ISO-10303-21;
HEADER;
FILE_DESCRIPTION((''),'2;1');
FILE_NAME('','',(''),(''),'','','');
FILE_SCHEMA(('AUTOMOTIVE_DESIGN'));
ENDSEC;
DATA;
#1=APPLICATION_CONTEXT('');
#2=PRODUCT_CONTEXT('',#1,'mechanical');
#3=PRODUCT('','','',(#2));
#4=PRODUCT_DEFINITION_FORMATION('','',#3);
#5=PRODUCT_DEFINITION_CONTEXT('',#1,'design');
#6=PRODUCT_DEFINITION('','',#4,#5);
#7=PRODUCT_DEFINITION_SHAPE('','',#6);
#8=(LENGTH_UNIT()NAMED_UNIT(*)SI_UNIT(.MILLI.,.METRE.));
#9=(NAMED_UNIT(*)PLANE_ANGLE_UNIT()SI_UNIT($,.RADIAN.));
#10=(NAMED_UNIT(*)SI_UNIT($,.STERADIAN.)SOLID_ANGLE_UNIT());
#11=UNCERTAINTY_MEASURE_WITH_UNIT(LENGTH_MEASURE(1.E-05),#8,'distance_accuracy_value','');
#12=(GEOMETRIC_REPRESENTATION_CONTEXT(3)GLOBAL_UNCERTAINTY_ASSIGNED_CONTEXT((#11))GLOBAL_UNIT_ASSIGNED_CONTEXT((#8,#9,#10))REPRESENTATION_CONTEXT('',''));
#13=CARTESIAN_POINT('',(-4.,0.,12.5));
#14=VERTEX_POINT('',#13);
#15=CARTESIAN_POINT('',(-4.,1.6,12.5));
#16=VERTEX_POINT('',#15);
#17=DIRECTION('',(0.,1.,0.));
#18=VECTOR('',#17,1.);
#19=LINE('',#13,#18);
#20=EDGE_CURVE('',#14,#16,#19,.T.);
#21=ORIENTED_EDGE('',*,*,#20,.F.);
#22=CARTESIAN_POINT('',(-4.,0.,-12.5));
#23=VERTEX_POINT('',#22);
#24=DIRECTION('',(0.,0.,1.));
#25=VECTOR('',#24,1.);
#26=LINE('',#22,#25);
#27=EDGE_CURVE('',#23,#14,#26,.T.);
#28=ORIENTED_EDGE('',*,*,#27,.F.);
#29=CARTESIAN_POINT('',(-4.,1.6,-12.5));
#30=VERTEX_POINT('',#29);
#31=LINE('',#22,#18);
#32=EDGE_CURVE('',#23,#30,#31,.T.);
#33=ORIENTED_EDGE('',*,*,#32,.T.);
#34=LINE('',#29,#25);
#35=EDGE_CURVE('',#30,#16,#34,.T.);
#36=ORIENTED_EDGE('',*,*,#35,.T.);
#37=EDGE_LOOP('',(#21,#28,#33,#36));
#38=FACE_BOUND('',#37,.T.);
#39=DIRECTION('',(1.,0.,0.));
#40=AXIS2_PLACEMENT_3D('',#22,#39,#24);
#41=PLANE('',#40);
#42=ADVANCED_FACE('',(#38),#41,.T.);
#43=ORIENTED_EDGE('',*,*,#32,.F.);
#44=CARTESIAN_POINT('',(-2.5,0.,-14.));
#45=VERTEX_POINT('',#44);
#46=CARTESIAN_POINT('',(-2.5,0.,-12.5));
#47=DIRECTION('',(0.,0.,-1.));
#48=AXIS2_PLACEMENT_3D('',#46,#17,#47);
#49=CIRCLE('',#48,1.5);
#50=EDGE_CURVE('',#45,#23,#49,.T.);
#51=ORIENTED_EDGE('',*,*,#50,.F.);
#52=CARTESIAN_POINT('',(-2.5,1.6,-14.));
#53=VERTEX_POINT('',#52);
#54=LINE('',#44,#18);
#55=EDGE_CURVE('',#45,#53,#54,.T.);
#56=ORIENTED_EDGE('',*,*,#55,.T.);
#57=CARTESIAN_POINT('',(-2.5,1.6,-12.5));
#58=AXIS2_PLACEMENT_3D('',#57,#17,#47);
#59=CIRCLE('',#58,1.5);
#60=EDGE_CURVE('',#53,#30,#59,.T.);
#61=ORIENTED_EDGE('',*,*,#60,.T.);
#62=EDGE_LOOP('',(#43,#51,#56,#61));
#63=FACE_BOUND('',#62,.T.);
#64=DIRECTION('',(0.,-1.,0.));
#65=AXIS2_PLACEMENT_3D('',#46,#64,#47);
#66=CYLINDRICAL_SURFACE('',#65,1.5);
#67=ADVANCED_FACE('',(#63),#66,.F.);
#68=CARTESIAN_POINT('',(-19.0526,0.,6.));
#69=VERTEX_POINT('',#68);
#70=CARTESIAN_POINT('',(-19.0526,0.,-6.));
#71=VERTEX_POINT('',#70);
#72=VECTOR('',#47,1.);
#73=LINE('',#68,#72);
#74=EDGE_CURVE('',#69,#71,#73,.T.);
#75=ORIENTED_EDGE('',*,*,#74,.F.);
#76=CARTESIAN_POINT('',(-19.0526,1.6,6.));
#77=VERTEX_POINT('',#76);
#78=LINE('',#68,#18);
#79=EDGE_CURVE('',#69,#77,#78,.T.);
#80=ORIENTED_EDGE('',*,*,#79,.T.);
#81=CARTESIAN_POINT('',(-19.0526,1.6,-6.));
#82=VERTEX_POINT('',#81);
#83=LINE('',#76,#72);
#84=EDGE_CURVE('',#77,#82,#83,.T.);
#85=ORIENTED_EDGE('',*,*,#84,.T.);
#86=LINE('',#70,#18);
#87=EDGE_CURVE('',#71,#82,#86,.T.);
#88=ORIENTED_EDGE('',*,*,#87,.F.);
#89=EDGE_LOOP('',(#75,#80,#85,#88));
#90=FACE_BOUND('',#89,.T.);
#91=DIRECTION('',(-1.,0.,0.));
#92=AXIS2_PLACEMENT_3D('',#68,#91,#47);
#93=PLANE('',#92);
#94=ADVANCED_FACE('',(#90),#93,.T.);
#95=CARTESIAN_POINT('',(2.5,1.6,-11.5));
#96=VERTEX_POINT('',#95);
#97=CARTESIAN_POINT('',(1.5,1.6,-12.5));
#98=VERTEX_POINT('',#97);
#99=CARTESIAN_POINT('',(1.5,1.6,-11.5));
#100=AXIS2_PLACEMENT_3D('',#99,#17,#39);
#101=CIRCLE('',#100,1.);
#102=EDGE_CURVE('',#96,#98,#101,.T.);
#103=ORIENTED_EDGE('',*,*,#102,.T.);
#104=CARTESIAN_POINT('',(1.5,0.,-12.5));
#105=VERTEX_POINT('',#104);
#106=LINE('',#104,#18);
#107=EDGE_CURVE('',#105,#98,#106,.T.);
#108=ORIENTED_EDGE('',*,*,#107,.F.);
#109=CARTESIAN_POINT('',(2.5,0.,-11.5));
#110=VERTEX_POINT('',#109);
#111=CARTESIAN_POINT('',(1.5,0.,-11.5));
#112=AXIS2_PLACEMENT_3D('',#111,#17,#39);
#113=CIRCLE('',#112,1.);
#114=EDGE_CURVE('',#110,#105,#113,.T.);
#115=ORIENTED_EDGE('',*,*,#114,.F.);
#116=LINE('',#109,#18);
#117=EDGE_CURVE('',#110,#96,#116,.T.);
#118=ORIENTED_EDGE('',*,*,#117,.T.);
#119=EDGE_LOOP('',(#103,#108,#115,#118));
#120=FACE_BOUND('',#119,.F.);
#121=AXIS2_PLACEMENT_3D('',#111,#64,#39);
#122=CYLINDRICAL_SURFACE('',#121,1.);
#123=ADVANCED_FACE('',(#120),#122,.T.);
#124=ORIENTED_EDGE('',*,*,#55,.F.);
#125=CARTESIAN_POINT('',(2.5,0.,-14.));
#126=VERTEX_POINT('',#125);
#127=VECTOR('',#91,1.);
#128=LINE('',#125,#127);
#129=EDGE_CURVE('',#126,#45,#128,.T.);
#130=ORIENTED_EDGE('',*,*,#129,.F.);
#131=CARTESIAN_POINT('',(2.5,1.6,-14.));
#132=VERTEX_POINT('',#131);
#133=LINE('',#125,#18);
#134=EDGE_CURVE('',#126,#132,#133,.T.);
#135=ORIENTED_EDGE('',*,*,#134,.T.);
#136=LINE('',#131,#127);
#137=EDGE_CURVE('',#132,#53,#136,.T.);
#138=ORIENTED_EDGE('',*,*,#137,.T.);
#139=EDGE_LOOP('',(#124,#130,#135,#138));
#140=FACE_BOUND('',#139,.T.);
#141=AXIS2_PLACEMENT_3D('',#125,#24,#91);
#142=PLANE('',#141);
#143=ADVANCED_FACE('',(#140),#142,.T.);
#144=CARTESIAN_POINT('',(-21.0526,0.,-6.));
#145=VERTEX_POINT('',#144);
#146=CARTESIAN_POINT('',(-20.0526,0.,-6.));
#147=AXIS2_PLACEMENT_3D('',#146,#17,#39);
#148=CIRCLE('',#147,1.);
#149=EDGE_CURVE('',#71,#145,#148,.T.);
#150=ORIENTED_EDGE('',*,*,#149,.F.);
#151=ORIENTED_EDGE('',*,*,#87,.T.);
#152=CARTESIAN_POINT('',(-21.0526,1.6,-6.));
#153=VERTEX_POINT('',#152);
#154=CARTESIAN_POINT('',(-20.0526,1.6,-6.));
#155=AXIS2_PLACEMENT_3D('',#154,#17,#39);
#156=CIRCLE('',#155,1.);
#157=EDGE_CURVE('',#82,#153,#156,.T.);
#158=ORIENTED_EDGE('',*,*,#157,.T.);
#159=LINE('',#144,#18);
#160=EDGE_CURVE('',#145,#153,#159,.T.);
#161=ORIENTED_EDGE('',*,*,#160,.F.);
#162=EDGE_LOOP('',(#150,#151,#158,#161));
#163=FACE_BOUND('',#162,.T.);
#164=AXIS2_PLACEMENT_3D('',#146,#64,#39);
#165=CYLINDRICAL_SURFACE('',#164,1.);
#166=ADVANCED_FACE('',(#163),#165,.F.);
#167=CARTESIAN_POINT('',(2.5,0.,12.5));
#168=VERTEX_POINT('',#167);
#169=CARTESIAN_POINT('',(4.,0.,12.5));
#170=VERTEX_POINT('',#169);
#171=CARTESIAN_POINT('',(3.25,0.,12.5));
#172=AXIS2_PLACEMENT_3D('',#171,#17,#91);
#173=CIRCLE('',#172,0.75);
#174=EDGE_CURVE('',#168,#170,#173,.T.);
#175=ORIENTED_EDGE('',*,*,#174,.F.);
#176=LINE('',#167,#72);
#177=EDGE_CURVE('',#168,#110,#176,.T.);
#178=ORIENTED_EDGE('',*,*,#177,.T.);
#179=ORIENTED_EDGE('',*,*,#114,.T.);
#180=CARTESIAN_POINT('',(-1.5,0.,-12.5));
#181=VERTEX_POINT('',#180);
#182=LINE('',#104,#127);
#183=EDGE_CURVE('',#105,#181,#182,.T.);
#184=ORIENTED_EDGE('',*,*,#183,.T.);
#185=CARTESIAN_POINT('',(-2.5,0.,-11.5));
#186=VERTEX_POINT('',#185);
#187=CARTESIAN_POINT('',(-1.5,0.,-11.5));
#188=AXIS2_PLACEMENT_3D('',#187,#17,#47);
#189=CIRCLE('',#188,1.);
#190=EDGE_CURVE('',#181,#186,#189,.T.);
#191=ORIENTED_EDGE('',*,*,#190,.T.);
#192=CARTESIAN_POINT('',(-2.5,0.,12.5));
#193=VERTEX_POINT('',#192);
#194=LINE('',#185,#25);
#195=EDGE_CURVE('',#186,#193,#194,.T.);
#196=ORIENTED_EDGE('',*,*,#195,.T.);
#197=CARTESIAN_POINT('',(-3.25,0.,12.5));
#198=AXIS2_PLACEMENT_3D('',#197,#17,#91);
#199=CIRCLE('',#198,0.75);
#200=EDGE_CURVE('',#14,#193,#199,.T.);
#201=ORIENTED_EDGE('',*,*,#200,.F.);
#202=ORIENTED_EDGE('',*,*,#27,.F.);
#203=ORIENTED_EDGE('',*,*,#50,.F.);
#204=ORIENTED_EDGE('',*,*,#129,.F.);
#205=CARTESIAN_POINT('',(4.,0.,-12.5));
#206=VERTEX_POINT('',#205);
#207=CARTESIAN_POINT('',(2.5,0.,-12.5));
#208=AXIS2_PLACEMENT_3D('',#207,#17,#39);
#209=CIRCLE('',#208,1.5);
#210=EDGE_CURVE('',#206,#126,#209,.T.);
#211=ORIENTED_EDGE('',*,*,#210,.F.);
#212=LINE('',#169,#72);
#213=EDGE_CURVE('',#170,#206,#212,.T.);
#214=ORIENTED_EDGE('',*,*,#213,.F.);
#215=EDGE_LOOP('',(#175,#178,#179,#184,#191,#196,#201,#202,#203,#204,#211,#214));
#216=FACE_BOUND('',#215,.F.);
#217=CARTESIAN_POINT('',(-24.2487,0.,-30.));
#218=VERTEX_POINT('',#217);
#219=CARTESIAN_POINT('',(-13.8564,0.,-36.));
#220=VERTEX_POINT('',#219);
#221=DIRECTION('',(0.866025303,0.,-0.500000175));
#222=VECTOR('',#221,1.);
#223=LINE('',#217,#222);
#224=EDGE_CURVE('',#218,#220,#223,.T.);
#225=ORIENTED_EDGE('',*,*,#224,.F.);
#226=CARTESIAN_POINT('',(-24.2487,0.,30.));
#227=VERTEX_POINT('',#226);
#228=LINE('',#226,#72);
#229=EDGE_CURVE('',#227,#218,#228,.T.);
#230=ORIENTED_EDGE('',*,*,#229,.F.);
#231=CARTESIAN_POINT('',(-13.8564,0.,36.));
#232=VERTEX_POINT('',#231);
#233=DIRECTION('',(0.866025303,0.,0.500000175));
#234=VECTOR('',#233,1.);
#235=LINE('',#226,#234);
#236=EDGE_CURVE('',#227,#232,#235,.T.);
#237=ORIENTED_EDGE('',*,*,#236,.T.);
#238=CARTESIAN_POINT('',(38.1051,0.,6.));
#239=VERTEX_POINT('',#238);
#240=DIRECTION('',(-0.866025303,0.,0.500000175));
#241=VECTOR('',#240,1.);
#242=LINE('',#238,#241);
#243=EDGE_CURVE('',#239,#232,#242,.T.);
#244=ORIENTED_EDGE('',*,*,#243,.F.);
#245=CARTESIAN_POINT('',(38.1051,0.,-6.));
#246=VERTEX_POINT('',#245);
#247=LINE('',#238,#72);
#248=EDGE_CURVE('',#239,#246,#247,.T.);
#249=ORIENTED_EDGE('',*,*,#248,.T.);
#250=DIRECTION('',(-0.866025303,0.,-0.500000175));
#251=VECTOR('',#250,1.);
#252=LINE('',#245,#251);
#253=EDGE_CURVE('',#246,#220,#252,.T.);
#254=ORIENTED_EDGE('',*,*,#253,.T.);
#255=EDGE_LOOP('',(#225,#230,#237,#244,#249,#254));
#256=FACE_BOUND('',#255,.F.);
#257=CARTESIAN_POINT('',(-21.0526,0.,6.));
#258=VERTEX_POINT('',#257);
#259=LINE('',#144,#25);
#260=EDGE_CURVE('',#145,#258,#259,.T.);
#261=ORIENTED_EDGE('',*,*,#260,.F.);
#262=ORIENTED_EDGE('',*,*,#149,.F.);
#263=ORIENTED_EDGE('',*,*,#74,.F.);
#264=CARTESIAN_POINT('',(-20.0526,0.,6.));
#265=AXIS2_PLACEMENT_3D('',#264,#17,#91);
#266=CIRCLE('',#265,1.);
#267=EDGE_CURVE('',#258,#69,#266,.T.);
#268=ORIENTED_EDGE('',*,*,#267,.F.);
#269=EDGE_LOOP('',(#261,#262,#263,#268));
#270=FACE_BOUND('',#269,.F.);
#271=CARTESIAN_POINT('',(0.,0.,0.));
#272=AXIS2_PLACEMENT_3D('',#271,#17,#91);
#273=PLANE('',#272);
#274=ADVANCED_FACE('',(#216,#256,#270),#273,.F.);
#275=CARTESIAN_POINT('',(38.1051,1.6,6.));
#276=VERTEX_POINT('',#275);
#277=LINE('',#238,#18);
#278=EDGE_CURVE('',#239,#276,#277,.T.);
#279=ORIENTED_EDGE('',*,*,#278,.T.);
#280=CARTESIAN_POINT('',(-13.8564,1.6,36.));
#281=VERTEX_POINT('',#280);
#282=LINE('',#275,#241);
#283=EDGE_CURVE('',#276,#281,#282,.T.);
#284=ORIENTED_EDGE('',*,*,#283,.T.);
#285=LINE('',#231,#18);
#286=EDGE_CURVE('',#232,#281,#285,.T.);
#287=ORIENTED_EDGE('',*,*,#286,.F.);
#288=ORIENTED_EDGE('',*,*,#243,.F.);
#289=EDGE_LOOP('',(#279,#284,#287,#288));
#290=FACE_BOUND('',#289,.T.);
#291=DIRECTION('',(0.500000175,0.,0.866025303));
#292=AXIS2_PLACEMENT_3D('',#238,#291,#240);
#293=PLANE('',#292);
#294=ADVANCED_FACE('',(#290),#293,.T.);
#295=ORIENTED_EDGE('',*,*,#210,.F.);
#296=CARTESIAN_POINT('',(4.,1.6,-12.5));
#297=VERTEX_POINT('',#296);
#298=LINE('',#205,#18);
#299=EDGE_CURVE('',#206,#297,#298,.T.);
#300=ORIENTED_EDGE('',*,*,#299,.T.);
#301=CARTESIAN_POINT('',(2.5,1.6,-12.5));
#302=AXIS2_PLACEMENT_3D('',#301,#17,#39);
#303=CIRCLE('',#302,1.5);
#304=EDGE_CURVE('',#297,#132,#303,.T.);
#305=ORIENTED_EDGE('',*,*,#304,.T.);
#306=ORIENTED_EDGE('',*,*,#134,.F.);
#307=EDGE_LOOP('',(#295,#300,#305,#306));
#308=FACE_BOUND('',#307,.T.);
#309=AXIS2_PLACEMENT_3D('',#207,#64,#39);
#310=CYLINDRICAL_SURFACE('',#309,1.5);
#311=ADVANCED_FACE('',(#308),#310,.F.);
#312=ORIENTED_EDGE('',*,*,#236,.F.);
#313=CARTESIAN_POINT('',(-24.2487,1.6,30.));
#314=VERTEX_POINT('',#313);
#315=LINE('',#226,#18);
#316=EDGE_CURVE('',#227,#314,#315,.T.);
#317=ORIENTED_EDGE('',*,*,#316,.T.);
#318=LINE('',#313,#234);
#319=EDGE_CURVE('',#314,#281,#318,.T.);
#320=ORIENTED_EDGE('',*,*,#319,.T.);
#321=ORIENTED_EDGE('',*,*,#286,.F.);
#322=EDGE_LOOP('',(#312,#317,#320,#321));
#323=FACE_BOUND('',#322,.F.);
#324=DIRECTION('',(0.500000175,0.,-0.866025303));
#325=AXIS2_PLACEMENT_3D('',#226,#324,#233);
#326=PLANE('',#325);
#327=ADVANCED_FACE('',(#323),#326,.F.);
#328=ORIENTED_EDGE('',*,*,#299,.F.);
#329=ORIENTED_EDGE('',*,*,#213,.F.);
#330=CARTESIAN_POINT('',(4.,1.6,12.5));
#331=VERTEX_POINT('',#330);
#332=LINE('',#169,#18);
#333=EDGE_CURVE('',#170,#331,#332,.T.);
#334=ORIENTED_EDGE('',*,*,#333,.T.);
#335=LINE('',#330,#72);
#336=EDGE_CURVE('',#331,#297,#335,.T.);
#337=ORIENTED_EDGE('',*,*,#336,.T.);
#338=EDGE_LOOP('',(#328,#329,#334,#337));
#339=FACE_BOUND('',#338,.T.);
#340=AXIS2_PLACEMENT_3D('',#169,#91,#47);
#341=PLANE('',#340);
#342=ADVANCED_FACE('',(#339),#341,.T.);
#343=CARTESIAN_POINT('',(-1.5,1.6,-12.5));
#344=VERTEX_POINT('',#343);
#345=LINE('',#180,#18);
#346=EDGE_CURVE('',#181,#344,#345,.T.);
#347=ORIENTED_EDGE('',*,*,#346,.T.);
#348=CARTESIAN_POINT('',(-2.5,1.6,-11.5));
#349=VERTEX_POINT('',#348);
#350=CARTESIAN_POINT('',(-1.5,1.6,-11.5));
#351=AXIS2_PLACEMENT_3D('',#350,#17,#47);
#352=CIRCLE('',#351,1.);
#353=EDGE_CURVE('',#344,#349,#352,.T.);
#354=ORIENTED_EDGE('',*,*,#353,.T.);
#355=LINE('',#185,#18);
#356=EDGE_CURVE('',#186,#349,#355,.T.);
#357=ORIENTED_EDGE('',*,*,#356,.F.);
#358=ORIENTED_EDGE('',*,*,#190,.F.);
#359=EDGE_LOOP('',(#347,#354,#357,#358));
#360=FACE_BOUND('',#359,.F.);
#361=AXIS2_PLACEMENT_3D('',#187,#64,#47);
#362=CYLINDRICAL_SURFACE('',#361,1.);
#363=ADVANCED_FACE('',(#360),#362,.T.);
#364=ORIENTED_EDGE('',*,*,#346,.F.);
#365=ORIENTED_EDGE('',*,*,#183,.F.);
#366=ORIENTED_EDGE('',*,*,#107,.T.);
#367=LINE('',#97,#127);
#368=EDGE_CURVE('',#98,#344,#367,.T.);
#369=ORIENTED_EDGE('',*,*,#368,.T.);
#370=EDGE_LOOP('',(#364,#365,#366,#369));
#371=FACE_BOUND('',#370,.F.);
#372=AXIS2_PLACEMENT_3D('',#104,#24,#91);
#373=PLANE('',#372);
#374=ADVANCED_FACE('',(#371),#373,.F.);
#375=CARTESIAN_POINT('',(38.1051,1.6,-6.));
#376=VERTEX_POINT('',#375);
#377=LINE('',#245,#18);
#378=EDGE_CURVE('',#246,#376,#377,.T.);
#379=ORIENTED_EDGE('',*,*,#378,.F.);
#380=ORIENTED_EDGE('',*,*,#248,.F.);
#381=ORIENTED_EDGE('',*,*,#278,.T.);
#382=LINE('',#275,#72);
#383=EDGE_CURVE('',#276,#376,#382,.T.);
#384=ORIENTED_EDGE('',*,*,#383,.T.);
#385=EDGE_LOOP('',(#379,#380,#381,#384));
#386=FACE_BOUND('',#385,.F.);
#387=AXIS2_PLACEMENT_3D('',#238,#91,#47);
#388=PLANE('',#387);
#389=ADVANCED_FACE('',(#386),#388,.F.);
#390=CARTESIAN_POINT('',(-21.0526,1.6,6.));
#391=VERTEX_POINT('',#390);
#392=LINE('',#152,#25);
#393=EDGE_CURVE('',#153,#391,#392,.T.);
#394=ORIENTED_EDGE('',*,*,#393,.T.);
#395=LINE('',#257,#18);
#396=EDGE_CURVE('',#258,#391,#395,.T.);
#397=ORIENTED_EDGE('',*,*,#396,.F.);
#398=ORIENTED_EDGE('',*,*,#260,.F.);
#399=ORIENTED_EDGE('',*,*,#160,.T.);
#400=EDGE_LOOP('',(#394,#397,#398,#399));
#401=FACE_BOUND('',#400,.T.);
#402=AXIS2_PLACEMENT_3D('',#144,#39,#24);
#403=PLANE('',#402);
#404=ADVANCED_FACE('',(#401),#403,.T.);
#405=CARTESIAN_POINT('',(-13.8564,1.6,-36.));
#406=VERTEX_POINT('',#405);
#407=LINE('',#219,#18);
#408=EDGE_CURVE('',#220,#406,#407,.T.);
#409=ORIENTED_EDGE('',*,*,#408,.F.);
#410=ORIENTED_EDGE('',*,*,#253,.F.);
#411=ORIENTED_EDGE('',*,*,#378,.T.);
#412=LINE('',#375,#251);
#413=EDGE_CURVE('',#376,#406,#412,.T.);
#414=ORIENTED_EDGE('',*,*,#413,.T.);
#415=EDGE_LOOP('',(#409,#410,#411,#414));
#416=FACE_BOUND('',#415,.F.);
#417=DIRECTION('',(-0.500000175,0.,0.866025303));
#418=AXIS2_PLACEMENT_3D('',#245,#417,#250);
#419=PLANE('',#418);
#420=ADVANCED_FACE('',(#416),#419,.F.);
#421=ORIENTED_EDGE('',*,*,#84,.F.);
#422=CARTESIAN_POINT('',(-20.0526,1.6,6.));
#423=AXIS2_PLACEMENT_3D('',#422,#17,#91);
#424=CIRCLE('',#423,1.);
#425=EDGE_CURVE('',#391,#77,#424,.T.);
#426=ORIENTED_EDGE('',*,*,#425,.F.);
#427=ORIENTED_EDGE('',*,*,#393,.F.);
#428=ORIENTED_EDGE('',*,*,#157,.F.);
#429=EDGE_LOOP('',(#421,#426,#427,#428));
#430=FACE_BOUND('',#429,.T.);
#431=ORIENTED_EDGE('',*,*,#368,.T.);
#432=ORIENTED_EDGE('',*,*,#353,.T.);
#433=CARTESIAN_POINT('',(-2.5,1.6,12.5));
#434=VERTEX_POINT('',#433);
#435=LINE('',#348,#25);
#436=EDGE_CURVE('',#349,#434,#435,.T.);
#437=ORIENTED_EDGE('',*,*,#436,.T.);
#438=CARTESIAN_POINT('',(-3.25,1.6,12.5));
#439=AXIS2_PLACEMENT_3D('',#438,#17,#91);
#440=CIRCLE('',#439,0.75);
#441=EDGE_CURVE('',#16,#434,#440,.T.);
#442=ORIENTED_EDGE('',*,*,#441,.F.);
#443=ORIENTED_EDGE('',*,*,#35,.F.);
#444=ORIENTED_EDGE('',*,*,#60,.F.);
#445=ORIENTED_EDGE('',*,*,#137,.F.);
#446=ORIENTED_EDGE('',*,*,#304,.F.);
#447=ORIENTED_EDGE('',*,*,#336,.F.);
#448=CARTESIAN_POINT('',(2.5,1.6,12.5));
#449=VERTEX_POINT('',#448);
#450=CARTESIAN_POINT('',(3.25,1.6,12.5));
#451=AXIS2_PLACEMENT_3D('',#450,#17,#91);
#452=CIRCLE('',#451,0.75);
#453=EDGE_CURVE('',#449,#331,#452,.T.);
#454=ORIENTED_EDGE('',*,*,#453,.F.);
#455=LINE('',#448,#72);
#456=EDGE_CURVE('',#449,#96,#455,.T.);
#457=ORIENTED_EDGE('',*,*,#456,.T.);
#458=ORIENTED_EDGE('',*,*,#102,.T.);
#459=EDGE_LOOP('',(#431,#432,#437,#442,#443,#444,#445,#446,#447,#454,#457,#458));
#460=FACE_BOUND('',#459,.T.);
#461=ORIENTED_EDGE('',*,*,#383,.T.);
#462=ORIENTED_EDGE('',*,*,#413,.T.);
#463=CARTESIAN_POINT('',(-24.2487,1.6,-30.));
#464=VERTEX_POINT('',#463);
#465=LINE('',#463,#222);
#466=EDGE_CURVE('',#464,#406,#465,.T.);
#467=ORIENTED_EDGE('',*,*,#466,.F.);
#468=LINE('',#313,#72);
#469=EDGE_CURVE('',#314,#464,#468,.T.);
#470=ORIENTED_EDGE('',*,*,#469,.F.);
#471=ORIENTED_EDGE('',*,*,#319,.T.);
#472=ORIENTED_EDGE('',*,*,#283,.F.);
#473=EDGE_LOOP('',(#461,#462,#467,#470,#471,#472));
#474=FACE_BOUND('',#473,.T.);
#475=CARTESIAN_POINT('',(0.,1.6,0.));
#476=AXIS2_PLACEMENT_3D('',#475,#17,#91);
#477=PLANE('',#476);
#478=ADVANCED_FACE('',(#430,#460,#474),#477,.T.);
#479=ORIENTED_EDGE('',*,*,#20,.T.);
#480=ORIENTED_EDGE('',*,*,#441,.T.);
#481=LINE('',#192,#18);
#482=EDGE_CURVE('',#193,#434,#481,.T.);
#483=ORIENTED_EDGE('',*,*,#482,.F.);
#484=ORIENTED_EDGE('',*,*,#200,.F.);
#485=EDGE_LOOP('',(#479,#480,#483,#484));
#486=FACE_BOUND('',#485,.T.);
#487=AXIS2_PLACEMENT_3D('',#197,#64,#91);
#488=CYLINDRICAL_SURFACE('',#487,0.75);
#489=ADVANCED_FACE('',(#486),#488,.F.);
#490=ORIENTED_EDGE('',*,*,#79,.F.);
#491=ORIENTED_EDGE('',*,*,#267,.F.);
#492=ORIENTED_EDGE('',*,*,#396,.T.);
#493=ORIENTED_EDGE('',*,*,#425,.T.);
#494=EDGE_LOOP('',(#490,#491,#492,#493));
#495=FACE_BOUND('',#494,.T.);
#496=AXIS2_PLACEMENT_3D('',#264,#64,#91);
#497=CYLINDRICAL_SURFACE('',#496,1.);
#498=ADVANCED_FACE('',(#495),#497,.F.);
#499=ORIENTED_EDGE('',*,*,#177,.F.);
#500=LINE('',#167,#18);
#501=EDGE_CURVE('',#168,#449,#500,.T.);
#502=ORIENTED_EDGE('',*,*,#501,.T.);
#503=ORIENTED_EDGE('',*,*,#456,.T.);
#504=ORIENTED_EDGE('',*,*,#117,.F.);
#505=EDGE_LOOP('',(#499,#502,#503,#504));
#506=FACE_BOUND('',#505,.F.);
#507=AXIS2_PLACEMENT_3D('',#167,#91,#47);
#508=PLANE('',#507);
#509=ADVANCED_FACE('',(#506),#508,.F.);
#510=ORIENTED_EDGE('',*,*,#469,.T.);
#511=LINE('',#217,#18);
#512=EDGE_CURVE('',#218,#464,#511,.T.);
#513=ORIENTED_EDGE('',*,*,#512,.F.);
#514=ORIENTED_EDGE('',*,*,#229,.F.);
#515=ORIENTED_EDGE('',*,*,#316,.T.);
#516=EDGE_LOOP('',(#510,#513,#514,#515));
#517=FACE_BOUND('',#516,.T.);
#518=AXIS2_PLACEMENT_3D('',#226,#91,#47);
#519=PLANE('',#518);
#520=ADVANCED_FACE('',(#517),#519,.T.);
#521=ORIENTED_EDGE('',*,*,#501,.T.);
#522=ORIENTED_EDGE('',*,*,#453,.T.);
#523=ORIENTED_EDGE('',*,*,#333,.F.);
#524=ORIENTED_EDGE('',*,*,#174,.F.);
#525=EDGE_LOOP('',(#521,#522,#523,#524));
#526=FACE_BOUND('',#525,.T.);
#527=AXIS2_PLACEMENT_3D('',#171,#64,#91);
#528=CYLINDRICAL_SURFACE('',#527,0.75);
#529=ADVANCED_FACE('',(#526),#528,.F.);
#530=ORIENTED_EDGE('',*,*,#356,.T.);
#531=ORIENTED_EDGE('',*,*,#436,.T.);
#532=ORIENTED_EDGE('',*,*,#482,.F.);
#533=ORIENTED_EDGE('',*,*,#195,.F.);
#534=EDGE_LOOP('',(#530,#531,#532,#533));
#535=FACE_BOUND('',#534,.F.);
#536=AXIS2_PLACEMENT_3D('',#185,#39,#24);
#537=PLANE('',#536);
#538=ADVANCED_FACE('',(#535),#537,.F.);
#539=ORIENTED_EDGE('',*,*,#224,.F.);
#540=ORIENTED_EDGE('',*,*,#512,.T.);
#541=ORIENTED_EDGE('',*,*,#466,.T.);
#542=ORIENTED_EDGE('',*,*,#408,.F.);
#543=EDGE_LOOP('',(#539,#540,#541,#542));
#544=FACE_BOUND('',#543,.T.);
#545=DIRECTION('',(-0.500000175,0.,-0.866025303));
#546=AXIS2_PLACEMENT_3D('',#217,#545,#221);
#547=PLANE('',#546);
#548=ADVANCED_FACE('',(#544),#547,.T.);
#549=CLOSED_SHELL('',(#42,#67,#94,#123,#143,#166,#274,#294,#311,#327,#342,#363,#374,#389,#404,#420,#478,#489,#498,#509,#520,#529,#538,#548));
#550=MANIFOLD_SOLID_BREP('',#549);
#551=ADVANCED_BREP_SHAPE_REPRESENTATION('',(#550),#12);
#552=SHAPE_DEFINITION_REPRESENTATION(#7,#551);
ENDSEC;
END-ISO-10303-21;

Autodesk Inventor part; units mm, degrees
ref_plane "YZ Plane" through (0, 0, 0) normal (1, 0, 0) x (0, 1, 0)
ref_plane "XZ Plane" through (0, 0, 0) normal (0, 1, 0) x (-1, 0, 0)
ref_plane "XY Plane" through (0, 0, 0) normal (0, 0, 1) x (1, 0, 0)
sketch "Sketch1" plane through (0, 0, 0) normal (0, 1, 0) x (-1, 0, 0)
  line L0 (-38.1051, 6) -> (13.8564, 36)
  line L1 (-38.1051, -6) -> (13.8564, -36)
  line L2 (24.2487, 30) -> (24.2487, -30)
  line L3 (24.2487, 30) -> (13.8564, 36)
  line L4 (24.2487, -30) -> (13.8564, -36)
  line L5 (-38.1051, 6) -> (-38.1051, -6)
  line L6 (19.0526, 6) -> (19.0526, -6)
  line L7 (21.0526, -6) -> (21.0526, 6)
  arc A0 (21.0526, 6) -> (19.0526, 6) centre (20.0526, 6) ccw
  arc A1 (19.0526, -6) -> (21.0526, -6) centre (20.0526, -6) ccw
  line L8 (-2.5, 12.5) -> (-2.5, -11.5)
  line L9 (-1.5, -12.5) -> (1.5, -12.5)
  line L10 (2.5, -11.5) -> (2.5, 12.5)
  line L11 (-4, 12.5) -> (-4, -12.5)
  line L12 (-2.5, -14) -> (2.5, -14)
  line L13 (4, -12.5) -> (4, 12.5)
  arc A2 (4, 12.5) -> (2.5, 12.5) centre (3.25, 12.5) ccw
  arc A3 (-2.5, 12.5) -> (-4, 12.5) centre (-3.25, 12.5) ccw
  arc A4 (2.5, -14) -> (4, -12.5) centre (2.5, -12.5) ccw
  arc A5 (-4, -12.5) -> (-2.5, -14) centre (-2.5, -12.5) ccw
  arc A6 (-2.5, -11.5) -> (-1.5, -12.5) centre (-1.5, -11.5) ccw
  arc A7 (1.5, -12.5) -> (2.5, -11.5) centre (1.5, -11.5) ccw
  point P0 (0, 0)
  point P1 (0, 0)
extrude "Extrusion1" add sketch "Sketch1" along normal blind 1.6
properties part number "PCB_Bottom"
